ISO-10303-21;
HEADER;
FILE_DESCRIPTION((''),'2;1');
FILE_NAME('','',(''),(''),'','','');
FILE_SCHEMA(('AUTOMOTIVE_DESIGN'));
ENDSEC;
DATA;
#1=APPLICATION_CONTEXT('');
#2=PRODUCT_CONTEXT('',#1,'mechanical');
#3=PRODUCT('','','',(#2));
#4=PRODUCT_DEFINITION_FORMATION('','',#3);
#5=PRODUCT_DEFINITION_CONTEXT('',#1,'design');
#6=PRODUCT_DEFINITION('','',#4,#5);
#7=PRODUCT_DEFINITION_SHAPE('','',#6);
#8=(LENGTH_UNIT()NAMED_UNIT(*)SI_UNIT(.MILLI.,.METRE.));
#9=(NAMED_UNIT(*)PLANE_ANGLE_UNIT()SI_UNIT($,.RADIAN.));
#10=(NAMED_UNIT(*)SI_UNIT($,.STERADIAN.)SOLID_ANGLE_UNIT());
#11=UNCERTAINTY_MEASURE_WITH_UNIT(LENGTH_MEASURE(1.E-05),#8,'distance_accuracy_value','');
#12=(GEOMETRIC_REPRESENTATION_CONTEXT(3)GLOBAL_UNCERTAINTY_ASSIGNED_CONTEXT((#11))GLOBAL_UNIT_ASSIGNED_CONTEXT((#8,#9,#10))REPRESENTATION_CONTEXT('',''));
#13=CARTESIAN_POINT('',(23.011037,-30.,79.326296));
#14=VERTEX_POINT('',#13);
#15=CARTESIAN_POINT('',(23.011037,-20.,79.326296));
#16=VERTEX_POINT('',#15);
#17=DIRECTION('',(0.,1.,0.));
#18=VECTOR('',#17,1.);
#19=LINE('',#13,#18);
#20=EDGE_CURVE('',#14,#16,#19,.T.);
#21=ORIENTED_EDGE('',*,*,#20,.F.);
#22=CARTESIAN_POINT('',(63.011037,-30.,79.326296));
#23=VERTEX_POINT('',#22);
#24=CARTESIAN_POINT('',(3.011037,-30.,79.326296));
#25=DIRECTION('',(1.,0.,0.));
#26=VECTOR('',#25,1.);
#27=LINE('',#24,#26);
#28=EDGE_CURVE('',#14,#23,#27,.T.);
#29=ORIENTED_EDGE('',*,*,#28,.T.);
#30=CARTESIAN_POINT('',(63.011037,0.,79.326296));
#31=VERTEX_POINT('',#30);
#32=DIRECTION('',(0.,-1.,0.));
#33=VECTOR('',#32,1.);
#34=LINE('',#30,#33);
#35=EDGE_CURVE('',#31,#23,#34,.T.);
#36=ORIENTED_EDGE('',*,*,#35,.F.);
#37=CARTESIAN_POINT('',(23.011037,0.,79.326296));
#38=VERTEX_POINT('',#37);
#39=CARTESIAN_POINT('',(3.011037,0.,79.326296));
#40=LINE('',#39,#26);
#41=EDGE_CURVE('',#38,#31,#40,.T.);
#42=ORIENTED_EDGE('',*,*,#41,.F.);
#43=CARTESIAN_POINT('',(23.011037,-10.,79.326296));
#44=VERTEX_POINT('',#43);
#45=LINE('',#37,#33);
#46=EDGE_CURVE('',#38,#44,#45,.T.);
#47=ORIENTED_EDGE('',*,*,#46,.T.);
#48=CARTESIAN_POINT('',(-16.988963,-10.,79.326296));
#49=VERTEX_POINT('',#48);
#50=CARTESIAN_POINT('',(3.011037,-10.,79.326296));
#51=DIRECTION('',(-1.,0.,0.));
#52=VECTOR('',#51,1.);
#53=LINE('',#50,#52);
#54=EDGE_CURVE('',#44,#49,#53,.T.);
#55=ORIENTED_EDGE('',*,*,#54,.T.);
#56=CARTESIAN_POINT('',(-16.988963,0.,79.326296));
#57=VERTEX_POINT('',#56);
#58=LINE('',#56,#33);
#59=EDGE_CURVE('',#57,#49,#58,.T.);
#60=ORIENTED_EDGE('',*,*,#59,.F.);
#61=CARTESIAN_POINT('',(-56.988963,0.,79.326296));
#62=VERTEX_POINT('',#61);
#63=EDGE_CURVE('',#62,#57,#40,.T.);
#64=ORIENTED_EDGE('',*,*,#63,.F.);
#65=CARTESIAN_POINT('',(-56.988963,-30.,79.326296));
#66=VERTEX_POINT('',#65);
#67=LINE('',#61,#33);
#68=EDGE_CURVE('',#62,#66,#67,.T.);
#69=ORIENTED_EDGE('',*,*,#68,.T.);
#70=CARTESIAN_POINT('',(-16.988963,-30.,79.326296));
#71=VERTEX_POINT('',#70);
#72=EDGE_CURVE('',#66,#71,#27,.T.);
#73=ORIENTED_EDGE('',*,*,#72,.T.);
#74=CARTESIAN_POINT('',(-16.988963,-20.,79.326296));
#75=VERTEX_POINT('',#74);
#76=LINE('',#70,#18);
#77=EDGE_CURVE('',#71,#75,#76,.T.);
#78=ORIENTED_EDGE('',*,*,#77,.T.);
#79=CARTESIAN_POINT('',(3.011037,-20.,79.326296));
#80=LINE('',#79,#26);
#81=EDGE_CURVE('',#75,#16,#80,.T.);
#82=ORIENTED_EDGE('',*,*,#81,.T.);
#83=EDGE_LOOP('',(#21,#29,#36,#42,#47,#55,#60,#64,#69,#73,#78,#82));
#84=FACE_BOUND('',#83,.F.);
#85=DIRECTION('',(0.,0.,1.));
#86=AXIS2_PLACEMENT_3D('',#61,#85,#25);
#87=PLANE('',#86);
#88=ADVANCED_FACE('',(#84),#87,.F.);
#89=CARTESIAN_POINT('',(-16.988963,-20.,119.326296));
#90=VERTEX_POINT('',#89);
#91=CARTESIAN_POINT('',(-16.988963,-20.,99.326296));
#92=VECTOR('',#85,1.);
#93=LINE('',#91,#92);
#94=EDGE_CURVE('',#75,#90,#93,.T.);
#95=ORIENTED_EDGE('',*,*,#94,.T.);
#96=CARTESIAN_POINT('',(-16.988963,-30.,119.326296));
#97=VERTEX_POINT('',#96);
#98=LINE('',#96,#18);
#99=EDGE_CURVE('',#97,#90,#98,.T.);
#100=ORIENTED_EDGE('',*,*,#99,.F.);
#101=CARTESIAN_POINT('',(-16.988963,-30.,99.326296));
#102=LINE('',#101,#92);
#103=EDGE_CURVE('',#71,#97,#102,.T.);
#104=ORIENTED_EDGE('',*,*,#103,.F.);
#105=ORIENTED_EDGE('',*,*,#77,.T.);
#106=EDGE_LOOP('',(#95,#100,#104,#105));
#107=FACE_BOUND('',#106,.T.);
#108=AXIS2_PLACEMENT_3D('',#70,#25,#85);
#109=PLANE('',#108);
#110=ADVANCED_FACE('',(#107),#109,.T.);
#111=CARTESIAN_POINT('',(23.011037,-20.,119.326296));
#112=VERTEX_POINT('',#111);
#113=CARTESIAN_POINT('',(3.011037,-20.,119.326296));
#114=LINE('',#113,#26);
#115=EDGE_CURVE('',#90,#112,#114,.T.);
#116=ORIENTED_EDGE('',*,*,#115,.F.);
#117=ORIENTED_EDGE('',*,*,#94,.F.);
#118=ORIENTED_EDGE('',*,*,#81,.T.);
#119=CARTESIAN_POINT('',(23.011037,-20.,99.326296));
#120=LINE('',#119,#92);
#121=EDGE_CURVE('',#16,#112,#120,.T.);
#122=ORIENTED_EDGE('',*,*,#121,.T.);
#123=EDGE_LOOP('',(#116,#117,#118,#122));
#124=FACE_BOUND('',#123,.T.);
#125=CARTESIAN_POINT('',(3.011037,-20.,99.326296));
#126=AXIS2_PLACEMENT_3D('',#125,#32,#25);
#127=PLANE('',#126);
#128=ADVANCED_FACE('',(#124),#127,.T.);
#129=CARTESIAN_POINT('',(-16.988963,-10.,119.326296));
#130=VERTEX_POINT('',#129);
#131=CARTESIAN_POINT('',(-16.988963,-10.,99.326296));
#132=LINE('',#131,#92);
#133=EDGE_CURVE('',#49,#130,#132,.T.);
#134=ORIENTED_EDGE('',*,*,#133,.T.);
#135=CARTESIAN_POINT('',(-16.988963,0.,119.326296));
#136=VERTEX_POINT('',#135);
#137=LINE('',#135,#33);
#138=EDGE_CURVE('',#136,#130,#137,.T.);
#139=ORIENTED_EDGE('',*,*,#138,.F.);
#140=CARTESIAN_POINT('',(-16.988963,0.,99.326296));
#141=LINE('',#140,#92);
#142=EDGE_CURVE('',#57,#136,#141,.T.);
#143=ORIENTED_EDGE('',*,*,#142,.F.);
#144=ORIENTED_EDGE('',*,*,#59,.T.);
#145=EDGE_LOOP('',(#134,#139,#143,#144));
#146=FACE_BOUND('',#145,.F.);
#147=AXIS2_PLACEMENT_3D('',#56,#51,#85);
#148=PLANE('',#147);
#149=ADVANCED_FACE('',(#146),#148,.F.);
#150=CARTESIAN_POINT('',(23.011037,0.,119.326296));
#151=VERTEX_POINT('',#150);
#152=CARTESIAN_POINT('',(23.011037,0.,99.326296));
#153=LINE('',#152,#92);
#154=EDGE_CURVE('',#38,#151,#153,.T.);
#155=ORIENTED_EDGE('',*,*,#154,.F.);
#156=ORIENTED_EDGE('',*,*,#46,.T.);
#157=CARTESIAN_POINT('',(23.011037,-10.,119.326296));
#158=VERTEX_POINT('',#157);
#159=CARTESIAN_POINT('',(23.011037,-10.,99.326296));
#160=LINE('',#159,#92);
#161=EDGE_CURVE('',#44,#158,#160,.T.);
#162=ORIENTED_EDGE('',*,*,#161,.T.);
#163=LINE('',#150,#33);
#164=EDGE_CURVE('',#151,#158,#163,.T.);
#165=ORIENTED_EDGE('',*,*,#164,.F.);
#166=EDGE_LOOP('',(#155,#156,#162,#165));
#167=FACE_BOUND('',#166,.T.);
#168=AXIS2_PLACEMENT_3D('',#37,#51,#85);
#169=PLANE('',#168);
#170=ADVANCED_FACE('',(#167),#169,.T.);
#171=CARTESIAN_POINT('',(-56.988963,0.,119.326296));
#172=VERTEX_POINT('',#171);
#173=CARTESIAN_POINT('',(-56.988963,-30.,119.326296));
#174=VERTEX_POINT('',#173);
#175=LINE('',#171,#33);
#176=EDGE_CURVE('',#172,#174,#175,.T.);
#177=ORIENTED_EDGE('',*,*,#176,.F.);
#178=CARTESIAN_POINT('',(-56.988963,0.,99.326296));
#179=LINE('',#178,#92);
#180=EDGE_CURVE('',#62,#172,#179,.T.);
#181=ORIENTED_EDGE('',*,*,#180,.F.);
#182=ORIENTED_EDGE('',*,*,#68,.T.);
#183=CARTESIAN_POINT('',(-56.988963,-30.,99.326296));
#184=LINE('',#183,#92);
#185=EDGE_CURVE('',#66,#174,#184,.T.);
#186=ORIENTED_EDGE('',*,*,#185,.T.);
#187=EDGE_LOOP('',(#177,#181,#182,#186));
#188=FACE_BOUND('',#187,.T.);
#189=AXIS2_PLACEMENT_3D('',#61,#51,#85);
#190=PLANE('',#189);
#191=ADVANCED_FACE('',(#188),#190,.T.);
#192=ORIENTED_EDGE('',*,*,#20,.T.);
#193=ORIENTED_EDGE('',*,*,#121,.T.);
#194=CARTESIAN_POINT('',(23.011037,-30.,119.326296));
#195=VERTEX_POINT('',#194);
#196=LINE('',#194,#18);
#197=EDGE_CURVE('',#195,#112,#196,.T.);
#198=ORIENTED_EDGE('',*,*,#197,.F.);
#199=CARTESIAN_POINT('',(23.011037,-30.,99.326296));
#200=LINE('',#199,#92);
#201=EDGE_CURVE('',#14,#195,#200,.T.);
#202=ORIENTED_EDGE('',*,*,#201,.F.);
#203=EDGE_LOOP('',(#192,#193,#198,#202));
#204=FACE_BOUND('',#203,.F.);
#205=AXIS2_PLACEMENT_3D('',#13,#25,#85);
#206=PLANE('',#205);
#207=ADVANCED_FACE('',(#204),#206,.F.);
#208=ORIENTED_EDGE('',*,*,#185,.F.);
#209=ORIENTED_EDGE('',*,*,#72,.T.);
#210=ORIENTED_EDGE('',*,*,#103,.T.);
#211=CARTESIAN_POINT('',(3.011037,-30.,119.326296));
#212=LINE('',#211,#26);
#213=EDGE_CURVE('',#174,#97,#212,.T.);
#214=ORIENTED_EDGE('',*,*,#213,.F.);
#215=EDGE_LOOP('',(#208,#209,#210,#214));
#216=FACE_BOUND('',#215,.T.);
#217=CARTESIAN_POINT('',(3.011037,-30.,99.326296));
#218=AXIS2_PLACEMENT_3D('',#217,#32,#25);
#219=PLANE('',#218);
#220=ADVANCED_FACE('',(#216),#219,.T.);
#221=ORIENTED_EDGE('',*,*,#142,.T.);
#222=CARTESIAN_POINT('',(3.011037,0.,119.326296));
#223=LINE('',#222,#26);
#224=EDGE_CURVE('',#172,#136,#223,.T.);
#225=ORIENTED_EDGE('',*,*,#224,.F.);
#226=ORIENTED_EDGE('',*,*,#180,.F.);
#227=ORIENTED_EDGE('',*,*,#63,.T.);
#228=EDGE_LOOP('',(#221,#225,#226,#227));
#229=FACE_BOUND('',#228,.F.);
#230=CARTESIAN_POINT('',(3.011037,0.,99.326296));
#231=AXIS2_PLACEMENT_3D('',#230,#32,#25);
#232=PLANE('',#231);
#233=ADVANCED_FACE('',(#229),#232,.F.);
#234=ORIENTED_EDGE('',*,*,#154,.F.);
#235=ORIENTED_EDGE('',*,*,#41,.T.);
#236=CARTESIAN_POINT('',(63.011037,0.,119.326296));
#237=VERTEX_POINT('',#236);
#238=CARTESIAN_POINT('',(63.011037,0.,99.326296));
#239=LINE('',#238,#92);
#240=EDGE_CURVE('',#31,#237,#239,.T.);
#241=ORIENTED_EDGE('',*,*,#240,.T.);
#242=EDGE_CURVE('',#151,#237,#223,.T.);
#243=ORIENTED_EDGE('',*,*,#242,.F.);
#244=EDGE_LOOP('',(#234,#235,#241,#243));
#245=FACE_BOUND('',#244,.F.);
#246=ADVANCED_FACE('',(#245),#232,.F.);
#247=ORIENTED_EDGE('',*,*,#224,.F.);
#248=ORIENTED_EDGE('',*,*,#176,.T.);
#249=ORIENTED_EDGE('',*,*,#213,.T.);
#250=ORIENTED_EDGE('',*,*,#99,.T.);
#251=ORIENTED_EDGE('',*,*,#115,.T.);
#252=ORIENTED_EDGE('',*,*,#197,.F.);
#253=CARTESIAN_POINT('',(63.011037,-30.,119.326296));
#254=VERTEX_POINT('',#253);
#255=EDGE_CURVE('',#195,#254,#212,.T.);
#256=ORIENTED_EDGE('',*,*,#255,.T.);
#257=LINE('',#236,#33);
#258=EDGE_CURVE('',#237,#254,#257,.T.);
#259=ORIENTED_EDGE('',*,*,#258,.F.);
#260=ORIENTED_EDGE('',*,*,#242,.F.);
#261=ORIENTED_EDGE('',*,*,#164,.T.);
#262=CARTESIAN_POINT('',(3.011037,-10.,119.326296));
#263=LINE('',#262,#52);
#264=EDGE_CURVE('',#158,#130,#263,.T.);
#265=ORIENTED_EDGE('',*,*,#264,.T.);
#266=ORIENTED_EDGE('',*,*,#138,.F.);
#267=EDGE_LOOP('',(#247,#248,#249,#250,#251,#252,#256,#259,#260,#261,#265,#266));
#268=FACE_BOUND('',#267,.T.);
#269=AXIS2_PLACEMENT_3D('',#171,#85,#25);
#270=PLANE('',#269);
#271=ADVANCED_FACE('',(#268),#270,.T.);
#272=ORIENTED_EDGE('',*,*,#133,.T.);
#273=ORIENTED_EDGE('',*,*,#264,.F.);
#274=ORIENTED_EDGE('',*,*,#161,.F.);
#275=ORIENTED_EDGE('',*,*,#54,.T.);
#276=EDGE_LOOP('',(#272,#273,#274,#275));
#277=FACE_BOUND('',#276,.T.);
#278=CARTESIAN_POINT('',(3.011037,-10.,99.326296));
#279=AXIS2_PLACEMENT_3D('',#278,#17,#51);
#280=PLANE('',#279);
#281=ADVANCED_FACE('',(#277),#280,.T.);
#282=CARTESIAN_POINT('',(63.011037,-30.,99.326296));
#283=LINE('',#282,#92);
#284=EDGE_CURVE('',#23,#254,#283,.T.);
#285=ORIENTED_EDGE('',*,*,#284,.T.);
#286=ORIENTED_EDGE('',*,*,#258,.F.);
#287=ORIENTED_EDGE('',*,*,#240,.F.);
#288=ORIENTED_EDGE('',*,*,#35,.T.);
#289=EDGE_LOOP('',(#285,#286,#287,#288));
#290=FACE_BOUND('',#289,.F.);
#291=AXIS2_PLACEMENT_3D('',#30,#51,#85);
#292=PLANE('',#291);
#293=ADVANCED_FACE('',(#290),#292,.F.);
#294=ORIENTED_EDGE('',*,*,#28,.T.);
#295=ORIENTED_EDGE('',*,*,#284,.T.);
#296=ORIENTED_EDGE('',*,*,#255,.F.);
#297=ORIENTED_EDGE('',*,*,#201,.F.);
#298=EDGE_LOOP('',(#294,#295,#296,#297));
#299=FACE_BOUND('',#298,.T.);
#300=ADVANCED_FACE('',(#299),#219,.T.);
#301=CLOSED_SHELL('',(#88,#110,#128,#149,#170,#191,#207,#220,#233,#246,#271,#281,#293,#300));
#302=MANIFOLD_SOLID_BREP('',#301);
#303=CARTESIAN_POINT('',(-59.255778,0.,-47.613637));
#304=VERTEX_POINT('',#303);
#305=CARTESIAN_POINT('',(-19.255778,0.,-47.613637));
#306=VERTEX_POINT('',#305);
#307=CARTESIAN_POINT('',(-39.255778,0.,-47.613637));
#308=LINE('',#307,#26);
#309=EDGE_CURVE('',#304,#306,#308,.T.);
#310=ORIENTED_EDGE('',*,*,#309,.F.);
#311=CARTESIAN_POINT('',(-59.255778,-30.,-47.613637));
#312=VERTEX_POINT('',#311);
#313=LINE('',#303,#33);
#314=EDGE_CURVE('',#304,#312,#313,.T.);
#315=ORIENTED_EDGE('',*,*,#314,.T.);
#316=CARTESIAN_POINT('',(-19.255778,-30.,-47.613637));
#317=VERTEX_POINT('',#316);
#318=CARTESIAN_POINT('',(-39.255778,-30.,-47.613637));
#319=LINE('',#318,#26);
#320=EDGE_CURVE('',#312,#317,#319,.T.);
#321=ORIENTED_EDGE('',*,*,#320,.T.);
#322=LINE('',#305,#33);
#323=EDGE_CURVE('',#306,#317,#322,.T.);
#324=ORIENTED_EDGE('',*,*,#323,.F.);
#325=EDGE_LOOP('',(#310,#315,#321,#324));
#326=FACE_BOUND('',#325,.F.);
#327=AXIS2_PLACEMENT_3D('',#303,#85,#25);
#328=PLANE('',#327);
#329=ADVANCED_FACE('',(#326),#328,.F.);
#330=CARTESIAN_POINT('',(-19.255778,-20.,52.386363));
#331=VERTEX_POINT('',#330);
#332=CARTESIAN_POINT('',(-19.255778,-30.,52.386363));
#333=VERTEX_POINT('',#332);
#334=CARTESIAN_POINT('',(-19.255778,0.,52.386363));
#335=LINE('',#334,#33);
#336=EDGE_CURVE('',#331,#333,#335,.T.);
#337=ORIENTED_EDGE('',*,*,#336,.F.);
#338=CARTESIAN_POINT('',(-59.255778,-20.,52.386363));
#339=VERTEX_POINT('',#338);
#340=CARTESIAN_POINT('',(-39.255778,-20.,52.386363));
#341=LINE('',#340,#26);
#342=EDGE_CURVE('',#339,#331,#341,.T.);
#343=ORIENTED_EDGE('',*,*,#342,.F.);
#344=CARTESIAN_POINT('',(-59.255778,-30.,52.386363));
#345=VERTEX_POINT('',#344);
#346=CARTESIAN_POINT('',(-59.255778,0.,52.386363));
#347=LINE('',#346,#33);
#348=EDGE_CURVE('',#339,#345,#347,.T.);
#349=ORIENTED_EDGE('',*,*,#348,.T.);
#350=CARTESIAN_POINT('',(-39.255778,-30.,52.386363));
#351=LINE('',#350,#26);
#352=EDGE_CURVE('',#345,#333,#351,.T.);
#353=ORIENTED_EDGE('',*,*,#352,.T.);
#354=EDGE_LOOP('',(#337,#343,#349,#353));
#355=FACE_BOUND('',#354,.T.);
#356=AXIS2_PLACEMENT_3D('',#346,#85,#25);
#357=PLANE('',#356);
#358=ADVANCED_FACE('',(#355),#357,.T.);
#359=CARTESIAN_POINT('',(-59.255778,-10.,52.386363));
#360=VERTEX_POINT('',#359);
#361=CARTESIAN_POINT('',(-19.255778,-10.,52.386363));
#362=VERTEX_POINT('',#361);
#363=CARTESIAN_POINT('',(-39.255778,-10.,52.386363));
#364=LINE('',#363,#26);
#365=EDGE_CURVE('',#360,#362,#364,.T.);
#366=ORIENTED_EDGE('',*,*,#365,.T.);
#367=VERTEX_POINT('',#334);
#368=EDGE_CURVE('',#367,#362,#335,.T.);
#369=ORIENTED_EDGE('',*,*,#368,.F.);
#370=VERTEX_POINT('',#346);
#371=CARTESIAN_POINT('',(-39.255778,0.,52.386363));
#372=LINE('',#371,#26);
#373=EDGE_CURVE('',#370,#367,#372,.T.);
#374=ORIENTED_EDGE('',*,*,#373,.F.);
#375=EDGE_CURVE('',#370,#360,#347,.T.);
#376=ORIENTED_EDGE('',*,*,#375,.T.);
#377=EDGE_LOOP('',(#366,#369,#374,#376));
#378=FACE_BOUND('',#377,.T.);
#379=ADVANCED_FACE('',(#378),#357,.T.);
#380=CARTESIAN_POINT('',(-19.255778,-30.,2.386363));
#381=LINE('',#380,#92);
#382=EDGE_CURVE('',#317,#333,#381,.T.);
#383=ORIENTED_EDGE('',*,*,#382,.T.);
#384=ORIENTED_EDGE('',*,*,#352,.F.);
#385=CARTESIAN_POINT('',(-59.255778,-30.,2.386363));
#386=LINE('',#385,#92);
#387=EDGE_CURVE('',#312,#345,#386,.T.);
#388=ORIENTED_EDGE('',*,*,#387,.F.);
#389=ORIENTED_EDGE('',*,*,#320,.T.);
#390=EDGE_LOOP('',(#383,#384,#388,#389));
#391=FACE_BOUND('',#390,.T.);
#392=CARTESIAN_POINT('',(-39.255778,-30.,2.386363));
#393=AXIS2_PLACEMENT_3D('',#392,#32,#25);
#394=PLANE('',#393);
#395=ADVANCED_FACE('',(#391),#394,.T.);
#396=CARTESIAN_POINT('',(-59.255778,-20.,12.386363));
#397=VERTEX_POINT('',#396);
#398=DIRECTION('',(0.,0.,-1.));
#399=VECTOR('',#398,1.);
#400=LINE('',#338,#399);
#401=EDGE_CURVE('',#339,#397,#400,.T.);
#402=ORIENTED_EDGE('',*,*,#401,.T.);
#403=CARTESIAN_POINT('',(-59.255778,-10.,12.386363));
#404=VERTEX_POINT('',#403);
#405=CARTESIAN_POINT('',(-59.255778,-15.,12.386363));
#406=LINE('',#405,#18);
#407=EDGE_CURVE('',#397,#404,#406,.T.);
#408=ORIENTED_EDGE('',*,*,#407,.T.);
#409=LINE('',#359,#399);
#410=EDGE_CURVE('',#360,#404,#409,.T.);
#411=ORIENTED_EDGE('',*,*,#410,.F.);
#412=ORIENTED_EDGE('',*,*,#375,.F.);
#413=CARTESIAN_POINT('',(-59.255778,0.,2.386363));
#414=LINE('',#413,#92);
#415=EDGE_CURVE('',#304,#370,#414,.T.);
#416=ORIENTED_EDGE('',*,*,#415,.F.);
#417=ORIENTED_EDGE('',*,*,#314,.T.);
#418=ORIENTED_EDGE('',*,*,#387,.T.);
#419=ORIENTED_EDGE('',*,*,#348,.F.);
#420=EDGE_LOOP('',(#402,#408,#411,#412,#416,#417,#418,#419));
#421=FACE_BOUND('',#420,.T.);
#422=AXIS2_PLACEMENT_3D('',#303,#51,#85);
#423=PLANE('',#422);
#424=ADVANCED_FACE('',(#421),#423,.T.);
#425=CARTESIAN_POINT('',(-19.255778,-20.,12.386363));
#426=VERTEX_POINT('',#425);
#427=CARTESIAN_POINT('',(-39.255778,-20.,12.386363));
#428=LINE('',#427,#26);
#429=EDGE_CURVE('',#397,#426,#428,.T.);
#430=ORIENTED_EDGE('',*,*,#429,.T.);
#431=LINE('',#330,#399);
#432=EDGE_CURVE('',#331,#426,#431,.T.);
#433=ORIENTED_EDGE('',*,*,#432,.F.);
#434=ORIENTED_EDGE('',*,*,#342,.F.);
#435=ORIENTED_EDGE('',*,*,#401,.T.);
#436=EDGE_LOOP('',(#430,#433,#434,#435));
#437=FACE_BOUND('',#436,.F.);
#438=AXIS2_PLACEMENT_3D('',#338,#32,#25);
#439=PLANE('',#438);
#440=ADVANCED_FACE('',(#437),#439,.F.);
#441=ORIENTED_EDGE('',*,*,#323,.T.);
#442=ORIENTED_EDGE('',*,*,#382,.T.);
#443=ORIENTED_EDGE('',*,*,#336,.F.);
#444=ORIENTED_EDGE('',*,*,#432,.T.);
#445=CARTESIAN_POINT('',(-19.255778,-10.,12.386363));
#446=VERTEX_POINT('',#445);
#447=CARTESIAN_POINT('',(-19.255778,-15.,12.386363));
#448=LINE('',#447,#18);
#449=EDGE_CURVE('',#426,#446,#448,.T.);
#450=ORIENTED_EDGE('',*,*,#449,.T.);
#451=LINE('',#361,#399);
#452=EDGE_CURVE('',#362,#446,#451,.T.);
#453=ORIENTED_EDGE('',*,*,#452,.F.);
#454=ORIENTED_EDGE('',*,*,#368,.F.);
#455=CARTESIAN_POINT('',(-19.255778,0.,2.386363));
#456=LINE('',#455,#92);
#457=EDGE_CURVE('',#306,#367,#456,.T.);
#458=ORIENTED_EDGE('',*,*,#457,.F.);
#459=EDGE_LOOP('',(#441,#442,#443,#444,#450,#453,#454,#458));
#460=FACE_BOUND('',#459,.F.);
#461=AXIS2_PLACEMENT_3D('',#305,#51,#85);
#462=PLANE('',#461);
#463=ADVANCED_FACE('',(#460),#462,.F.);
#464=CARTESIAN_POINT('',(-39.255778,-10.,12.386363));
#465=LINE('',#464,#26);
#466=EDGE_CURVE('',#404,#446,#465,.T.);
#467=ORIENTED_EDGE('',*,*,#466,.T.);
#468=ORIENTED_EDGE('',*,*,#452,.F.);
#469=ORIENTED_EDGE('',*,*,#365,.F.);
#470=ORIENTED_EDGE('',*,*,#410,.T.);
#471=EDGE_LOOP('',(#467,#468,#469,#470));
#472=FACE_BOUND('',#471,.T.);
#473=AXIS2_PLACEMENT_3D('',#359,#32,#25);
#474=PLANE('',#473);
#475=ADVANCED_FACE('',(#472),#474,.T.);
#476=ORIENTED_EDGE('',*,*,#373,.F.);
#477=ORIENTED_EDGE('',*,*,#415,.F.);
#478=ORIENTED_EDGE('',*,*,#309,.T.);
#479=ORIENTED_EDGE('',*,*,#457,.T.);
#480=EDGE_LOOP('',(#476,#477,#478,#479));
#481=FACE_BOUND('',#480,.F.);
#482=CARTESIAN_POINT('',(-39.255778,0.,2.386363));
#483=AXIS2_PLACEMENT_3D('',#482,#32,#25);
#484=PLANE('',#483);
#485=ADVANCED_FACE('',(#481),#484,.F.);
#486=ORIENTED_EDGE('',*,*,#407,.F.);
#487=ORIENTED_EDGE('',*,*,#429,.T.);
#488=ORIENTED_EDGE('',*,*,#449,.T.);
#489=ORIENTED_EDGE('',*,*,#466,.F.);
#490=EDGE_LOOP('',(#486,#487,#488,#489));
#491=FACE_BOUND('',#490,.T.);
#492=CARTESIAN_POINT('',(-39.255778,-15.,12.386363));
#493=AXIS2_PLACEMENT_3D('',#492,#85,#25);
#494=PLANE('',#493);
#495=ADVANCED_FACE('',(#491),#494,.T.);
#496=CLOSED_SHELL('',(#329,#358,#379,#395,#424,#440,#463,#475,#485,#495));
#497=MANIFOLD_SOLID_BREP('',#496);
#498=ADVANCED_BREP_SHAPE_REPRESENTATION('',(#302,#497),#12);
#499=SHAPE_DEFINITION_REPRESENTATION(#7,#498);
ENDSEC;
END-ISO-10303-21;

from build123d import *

# Parameters (mm, degrees)
F0_W     = 40
F0_H     = 100
F1_DEPTH = 30
F2_W     = 40
F2_H     = 10
F3_DEPTH = 40
F4_W     = 120
F4_H     = 40
F5_DEPTH = 30
F6_W     = 40
F6_H     = 40
F7_DEPTH = 10
F8_W     = 40
F8_H     = 40
F9_DEPTH = 10


with BuildPart() as f1:
    # F0 (on Front) → F1 (new body)
    with BuildSketch(Plane.XZ):
        with Locations((-39.255778, 2.386363)):
            Rectangle(F0_W, F0_H)
    extrude(amount=F1_DEPTH)

    # F2 (on face) → F3 (cut)
    with BuildSketch(Plane.XY.offset(52.386363)):
        with Locations((-39.255778, -15)):
            Rectangle(F2_W, F2_H)
    extrude(amount=-F3_DEPTH, mode=Mode.SUBTRACT)


with BuildPart() as f5:
    # F4 (on Front) → F5 (new body)
    with BuildSketch(Plane.XZ):
        with Locations((3.011037, 99.326296)):
            Rectangle(F4_W, F4_H)
    extrude(amount=F5_DEPTH)

    # F6 (on face) → F7 (cut)
    with BuildSketch(Plane.XZ.offset(30)):
        with Locations((3.011037, 99.326296)):
            Rectangle(F6_W, F6_H)
    extrude(amount=-F7_DEPTH, mode=Mode.SUBTRACT)

    # F8 (on face) → F9 (cut)
    with BuildSketch(Plane(origin=(0, 0, 0), x_dir=(-1, 0, 0), z_dir=(0, 1, 0))):
        with Locations((-3.011037, 99.326296)):
            Rectangle(F8_W, F8_H)
    extrude(amount=-F9_DEPTH, mode=Mode.SUBTRACT)


solid = Compound([f1.part, f5.part])
